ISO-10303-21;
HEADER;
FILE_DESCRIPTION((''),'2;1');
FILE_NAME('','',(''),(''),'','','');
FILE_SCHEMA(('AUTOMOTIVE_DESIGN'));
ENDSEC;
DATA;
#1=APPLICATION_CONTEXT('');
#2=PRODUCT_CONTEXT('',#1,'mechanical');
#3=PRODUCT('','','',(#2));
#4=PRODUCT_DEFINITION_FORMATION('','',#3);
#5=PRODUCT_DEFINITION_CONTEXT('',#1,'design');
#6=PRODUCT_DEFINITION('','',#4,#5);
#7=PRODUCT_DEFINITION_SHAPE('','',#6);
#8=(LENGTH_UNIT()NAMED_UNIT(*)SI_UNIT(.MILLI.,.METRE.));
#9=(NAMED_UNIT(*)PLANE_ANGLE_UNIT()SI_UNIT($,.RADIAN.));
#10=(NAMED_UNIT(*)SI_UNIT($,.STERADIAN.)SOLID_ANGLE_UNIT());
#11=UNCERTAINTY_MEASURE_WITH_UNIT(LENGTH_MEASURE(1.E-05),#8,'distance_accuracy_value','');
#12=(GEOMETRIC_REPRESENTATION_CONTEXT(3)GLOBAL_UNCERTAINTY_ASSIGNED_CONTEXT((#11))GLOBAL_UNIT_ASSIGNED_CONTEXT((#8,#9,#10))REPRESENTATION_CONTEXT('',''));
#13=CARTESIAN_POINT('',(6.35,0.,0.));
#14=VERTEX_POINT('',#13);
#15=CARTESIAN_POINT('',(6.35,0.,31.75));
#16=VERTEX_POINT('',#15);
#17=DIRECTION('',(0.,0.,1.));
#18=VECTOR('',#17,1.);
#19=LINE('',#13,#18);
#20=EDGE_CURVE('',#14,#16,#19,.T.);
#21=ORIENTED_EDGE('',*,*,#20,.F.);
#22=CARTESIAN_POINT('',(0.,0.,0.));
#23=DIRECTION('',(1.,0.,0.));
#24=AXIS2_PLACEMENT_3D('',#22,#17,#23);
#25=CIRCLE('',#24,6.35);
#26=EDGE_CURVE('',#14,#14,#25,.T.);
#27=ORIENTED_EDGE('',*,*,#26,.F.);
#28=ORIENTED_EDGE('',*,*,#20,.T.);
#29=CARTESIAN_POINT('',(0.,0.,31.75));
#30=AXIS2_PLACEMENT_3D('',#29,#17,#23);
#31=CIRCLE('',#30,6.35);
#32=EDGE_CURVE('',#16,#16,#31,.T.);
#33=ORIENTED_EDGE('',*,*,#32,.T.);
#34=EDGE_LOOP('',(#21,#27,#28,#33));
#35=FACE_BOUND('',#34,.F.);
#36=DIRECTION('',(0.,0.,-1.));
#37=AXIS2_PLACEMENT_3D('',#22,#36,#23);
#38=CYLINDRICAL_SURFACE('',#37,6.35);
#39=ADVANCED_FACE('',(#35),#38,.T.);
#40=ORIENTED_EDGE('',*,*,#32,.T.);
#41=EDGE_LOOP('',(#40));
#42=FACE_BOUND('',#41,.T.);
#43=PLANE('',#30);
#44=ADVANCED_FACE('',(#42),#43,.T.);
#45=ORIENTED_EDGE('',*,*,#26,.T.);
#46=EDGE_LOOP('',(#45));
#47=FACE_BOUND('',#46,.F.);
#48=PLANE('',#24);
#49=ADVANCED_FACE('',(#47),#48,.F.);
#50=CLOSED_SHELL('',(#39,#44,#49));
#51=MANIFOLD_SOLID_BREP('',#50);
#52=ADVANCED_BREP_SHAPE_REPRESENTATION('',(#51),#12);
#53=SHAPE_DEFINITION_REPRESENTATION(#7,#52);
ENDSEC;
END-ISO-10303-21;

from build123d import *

# Parameters (mm, degrees)
CROQUIS1_R              = 6.35
SALIENTE_EXTRUIR1_DEPTH = 31.75


with BuildPart() as part:
    # Croquis1 → Saliente-Extruir1 (new body)
    with BuildSketch(Plane.XY):
        Circle(CROQUIS1_R)
    extrude(amount=SALIENTE_EXTRUIR1_DEPTH)


solid = part.part
